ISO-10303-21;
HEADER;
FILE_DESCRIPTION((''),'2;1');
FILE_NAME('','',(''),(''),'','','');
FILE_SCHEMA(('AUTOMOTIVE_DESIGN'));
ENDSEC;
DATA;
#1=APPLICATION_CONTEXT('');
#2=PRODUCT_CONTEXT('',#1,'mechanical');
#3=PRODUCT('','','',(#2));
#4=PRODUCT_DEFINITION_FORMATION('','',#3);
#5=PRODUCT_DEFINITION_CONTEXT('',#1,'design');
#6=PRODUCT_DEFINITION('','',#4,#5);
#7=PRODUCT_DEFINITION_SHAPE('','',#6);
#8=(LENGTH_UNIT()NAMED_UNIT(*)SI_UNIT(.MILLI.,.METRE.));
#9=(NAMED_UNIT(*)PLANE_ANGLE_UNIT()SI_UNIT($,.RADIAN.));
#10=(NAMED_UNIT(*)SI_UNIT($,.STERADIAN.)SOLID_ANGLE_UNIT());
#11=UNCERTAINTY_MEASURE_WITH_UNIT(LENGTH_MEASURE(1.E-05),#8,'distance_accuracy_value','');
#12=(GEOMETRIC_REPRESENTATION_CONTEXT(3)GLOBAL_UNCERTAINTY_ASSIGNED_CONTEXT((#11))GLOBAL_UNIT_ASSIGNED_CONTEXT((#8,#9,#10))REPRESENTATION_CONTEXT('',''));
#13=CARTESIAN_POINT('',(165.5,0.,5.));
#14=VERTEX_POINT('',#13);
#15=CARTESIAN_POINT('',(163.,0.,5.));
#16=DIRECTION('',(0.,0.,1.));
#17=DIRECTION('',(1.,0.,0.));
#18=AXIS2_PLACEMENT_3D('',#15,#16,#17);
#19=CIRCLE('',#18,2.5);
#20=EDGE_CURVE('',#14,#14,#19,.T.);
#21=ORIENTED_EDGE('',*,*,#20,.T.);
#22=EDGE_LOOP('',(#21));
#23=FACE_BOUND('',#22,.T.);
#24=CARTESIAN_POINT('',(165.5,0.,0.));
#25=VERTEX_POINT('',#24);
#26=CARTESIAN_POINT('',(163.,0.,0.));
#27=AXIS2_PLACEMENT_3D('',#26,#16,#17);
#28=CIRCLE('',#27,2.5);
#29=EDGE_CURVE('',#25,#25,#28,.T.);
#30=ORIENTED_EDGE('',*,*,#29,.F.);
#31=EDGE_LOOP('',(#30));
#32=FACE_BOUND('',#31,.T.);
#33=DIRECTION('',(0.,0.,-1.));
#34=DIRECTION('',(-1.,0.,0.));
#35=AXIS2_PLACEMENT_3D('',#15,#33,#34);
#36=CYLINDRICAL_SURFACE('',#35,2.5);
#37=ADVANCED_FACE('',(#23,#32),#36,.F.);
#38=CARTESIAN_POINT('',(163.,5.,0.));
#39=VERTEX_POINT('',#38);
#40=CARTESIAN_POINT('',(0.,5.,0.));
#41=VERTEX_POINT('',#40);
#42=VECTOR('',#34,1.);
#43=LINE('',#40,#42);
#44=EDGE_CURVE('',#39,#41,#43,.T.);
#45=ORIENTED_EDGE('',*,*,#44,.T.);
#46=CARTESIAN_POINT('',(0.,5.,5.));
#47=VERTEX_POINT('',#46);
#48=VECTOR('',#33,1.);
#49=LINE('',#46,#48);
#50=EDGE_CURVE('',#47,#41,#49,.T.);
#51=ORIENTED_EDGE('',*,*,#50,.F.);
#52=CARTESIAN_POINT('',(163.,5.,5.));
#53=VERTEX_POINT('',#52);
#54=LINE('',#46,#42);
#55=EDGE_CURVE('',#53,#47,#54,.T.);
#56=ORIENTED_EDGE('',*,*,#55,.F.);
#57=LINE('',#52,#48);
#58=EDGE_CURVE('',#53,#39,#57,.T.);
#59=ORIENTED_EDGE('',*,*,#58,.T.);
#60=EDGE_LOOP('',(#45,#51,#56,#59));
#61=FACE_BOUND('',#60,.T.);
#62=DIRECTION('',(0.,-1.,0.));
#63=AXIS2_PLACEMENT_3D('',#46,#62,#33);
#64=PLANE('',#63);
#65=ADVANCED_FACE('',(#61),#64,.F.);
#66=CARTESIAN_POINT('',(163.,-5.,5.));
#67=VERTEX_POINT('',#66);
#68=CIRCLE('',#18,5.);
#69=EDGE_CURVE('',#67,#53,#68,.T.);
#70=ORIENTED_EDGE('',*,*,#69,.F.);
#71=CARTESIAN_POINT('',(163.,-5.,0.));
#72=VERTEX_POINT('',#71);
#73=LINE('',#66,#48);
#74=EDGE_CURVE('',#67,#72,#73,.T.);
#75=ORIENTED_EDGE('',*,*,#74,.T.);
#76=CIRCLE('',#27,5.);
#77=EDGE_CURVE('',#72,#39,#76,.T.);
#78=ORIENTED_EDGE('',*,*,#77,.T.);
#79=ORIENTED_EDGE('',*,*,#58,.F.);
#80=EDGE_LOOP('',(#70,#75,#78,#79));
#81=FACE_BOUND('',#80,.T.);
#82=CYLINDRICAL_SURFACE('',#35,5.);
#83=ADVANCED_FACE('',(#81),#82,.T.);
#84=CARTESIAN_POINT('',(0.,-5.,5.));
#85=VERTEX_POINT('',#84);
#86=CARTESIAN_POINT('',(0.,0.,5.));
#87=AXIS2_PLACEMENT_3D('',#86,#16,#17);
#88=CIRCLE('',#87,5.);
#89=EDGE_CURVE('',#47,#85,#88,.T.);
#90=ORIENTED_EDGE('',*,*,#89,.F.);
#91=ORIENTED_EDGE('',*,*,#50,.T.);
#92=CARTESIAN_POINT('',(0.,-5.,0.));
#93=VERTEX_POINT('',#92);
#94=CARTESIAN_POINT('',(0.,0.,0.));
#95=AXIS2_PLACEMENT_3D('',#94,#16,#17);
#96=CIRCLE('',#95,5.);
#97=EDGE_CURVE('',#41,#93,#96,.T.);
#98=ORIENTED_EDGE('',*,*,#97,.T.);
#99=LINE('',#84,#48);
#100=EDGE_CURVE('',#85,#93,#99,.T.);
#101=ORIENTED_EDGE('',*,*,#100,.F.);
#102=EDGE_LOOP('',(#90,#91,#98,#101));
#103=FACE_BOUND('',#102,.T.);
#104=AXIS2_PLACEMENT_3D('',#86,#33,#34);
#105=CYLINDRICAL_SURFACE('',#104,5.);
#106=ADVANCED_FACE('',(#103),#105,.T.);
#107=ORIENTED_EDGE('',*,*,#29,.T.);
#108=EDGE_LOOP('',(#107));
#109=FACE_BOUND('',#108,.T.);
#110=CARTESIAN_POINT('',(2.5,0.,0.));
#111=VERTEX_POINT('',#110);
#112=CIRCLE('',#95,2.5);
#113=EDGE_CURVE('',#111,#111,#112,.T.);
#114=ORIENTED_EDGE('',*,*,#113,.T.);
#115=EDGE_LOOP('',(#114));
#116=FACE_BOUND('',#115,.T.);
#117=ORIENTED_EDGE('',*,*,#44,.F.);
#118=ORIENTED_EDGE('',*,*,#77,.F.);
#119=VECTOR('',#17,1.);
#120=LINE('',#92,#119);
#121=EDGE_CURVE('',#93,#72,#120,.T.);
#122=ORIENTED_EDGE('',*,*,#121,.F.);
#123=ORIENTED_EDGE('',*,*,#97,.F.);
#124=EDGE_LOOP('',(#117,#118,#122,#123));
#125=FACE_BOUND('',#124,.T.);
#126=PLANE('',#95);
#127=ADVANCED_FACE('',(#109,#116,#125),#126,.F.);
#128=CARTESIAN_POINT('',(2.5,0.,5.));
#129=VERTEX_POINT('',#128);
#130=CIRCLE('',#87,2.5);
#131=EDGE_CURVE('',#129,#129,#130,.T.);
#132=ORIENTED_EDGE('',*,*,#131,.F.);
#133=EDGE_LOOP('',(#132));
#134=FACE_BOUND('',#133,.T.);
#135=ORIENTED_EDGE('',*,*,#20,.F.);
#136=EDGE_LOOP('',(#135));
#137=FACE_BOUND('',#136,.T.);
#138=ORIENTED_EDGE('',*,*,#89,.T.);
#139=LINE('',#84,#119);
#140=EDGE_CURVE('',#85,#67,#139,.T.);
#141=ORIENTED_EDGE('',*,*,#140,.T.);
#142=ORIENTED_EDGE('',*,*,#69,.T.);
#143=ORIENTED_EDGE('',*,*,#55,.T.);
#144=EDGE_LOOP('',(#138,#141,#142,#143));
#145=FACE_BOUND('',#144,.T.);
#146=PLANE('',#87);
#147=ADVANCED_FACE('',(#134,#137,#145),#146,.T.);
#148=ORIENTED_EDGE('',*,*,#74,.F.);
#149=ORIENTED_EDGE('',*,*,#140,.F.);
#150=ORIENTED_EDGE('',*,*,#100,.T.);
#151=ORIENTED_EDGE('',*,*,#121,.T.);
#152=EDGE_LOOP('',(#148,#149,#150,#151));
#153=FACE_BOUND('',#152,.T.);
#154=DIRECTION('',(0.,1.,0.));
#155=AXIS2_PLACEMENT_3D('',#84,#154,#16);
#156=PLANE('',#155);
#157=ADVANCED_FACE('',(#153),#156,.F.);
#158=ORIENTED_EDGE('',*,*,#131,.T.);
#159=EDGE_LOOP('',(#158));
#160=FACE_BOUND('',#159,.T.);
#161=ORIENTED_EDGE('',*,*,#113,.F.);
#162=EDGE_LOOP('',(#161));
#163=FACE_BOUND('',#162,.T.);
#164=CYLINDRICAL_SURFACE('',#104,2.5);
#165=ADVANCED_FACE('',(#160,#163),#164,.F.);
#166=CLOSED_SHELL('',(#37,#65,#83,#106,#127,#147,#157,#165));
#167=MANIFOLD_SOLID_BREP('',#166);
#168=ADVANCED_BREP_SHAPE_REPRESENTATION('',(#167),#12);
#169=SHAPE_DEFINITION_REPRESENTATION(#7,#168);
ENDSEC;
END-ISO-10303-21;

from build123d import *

# Parameters (mm, degrees)
SKETCH_1_R      = 2.5
EXTRUDE_3_DEPTH = 5


with BuildPart() as part:
    # 草图1 → 凸台-拉伸3 (new body)
    with BuildSketch(Plane.XY):
        with BuildLine():
            Line((0, 5), (163, 5))
            ThreePointArc((163, 5), (168, 0), (163, -5))
            Line((163, -5), (0, -5))
            ThreePointArc((0, -5), (-5, 0), (0, 5))
        make_face()
        Circle(SKETCH_1_R, mode=Mode.SUBTRACT)
        with Locations((163, 0)):
            Circle(SKETCH_1_R, mode=Mode.SUBTRACT)
    extrude(amount=EXTRUDE_3_DEPTH)


solid = part.part
